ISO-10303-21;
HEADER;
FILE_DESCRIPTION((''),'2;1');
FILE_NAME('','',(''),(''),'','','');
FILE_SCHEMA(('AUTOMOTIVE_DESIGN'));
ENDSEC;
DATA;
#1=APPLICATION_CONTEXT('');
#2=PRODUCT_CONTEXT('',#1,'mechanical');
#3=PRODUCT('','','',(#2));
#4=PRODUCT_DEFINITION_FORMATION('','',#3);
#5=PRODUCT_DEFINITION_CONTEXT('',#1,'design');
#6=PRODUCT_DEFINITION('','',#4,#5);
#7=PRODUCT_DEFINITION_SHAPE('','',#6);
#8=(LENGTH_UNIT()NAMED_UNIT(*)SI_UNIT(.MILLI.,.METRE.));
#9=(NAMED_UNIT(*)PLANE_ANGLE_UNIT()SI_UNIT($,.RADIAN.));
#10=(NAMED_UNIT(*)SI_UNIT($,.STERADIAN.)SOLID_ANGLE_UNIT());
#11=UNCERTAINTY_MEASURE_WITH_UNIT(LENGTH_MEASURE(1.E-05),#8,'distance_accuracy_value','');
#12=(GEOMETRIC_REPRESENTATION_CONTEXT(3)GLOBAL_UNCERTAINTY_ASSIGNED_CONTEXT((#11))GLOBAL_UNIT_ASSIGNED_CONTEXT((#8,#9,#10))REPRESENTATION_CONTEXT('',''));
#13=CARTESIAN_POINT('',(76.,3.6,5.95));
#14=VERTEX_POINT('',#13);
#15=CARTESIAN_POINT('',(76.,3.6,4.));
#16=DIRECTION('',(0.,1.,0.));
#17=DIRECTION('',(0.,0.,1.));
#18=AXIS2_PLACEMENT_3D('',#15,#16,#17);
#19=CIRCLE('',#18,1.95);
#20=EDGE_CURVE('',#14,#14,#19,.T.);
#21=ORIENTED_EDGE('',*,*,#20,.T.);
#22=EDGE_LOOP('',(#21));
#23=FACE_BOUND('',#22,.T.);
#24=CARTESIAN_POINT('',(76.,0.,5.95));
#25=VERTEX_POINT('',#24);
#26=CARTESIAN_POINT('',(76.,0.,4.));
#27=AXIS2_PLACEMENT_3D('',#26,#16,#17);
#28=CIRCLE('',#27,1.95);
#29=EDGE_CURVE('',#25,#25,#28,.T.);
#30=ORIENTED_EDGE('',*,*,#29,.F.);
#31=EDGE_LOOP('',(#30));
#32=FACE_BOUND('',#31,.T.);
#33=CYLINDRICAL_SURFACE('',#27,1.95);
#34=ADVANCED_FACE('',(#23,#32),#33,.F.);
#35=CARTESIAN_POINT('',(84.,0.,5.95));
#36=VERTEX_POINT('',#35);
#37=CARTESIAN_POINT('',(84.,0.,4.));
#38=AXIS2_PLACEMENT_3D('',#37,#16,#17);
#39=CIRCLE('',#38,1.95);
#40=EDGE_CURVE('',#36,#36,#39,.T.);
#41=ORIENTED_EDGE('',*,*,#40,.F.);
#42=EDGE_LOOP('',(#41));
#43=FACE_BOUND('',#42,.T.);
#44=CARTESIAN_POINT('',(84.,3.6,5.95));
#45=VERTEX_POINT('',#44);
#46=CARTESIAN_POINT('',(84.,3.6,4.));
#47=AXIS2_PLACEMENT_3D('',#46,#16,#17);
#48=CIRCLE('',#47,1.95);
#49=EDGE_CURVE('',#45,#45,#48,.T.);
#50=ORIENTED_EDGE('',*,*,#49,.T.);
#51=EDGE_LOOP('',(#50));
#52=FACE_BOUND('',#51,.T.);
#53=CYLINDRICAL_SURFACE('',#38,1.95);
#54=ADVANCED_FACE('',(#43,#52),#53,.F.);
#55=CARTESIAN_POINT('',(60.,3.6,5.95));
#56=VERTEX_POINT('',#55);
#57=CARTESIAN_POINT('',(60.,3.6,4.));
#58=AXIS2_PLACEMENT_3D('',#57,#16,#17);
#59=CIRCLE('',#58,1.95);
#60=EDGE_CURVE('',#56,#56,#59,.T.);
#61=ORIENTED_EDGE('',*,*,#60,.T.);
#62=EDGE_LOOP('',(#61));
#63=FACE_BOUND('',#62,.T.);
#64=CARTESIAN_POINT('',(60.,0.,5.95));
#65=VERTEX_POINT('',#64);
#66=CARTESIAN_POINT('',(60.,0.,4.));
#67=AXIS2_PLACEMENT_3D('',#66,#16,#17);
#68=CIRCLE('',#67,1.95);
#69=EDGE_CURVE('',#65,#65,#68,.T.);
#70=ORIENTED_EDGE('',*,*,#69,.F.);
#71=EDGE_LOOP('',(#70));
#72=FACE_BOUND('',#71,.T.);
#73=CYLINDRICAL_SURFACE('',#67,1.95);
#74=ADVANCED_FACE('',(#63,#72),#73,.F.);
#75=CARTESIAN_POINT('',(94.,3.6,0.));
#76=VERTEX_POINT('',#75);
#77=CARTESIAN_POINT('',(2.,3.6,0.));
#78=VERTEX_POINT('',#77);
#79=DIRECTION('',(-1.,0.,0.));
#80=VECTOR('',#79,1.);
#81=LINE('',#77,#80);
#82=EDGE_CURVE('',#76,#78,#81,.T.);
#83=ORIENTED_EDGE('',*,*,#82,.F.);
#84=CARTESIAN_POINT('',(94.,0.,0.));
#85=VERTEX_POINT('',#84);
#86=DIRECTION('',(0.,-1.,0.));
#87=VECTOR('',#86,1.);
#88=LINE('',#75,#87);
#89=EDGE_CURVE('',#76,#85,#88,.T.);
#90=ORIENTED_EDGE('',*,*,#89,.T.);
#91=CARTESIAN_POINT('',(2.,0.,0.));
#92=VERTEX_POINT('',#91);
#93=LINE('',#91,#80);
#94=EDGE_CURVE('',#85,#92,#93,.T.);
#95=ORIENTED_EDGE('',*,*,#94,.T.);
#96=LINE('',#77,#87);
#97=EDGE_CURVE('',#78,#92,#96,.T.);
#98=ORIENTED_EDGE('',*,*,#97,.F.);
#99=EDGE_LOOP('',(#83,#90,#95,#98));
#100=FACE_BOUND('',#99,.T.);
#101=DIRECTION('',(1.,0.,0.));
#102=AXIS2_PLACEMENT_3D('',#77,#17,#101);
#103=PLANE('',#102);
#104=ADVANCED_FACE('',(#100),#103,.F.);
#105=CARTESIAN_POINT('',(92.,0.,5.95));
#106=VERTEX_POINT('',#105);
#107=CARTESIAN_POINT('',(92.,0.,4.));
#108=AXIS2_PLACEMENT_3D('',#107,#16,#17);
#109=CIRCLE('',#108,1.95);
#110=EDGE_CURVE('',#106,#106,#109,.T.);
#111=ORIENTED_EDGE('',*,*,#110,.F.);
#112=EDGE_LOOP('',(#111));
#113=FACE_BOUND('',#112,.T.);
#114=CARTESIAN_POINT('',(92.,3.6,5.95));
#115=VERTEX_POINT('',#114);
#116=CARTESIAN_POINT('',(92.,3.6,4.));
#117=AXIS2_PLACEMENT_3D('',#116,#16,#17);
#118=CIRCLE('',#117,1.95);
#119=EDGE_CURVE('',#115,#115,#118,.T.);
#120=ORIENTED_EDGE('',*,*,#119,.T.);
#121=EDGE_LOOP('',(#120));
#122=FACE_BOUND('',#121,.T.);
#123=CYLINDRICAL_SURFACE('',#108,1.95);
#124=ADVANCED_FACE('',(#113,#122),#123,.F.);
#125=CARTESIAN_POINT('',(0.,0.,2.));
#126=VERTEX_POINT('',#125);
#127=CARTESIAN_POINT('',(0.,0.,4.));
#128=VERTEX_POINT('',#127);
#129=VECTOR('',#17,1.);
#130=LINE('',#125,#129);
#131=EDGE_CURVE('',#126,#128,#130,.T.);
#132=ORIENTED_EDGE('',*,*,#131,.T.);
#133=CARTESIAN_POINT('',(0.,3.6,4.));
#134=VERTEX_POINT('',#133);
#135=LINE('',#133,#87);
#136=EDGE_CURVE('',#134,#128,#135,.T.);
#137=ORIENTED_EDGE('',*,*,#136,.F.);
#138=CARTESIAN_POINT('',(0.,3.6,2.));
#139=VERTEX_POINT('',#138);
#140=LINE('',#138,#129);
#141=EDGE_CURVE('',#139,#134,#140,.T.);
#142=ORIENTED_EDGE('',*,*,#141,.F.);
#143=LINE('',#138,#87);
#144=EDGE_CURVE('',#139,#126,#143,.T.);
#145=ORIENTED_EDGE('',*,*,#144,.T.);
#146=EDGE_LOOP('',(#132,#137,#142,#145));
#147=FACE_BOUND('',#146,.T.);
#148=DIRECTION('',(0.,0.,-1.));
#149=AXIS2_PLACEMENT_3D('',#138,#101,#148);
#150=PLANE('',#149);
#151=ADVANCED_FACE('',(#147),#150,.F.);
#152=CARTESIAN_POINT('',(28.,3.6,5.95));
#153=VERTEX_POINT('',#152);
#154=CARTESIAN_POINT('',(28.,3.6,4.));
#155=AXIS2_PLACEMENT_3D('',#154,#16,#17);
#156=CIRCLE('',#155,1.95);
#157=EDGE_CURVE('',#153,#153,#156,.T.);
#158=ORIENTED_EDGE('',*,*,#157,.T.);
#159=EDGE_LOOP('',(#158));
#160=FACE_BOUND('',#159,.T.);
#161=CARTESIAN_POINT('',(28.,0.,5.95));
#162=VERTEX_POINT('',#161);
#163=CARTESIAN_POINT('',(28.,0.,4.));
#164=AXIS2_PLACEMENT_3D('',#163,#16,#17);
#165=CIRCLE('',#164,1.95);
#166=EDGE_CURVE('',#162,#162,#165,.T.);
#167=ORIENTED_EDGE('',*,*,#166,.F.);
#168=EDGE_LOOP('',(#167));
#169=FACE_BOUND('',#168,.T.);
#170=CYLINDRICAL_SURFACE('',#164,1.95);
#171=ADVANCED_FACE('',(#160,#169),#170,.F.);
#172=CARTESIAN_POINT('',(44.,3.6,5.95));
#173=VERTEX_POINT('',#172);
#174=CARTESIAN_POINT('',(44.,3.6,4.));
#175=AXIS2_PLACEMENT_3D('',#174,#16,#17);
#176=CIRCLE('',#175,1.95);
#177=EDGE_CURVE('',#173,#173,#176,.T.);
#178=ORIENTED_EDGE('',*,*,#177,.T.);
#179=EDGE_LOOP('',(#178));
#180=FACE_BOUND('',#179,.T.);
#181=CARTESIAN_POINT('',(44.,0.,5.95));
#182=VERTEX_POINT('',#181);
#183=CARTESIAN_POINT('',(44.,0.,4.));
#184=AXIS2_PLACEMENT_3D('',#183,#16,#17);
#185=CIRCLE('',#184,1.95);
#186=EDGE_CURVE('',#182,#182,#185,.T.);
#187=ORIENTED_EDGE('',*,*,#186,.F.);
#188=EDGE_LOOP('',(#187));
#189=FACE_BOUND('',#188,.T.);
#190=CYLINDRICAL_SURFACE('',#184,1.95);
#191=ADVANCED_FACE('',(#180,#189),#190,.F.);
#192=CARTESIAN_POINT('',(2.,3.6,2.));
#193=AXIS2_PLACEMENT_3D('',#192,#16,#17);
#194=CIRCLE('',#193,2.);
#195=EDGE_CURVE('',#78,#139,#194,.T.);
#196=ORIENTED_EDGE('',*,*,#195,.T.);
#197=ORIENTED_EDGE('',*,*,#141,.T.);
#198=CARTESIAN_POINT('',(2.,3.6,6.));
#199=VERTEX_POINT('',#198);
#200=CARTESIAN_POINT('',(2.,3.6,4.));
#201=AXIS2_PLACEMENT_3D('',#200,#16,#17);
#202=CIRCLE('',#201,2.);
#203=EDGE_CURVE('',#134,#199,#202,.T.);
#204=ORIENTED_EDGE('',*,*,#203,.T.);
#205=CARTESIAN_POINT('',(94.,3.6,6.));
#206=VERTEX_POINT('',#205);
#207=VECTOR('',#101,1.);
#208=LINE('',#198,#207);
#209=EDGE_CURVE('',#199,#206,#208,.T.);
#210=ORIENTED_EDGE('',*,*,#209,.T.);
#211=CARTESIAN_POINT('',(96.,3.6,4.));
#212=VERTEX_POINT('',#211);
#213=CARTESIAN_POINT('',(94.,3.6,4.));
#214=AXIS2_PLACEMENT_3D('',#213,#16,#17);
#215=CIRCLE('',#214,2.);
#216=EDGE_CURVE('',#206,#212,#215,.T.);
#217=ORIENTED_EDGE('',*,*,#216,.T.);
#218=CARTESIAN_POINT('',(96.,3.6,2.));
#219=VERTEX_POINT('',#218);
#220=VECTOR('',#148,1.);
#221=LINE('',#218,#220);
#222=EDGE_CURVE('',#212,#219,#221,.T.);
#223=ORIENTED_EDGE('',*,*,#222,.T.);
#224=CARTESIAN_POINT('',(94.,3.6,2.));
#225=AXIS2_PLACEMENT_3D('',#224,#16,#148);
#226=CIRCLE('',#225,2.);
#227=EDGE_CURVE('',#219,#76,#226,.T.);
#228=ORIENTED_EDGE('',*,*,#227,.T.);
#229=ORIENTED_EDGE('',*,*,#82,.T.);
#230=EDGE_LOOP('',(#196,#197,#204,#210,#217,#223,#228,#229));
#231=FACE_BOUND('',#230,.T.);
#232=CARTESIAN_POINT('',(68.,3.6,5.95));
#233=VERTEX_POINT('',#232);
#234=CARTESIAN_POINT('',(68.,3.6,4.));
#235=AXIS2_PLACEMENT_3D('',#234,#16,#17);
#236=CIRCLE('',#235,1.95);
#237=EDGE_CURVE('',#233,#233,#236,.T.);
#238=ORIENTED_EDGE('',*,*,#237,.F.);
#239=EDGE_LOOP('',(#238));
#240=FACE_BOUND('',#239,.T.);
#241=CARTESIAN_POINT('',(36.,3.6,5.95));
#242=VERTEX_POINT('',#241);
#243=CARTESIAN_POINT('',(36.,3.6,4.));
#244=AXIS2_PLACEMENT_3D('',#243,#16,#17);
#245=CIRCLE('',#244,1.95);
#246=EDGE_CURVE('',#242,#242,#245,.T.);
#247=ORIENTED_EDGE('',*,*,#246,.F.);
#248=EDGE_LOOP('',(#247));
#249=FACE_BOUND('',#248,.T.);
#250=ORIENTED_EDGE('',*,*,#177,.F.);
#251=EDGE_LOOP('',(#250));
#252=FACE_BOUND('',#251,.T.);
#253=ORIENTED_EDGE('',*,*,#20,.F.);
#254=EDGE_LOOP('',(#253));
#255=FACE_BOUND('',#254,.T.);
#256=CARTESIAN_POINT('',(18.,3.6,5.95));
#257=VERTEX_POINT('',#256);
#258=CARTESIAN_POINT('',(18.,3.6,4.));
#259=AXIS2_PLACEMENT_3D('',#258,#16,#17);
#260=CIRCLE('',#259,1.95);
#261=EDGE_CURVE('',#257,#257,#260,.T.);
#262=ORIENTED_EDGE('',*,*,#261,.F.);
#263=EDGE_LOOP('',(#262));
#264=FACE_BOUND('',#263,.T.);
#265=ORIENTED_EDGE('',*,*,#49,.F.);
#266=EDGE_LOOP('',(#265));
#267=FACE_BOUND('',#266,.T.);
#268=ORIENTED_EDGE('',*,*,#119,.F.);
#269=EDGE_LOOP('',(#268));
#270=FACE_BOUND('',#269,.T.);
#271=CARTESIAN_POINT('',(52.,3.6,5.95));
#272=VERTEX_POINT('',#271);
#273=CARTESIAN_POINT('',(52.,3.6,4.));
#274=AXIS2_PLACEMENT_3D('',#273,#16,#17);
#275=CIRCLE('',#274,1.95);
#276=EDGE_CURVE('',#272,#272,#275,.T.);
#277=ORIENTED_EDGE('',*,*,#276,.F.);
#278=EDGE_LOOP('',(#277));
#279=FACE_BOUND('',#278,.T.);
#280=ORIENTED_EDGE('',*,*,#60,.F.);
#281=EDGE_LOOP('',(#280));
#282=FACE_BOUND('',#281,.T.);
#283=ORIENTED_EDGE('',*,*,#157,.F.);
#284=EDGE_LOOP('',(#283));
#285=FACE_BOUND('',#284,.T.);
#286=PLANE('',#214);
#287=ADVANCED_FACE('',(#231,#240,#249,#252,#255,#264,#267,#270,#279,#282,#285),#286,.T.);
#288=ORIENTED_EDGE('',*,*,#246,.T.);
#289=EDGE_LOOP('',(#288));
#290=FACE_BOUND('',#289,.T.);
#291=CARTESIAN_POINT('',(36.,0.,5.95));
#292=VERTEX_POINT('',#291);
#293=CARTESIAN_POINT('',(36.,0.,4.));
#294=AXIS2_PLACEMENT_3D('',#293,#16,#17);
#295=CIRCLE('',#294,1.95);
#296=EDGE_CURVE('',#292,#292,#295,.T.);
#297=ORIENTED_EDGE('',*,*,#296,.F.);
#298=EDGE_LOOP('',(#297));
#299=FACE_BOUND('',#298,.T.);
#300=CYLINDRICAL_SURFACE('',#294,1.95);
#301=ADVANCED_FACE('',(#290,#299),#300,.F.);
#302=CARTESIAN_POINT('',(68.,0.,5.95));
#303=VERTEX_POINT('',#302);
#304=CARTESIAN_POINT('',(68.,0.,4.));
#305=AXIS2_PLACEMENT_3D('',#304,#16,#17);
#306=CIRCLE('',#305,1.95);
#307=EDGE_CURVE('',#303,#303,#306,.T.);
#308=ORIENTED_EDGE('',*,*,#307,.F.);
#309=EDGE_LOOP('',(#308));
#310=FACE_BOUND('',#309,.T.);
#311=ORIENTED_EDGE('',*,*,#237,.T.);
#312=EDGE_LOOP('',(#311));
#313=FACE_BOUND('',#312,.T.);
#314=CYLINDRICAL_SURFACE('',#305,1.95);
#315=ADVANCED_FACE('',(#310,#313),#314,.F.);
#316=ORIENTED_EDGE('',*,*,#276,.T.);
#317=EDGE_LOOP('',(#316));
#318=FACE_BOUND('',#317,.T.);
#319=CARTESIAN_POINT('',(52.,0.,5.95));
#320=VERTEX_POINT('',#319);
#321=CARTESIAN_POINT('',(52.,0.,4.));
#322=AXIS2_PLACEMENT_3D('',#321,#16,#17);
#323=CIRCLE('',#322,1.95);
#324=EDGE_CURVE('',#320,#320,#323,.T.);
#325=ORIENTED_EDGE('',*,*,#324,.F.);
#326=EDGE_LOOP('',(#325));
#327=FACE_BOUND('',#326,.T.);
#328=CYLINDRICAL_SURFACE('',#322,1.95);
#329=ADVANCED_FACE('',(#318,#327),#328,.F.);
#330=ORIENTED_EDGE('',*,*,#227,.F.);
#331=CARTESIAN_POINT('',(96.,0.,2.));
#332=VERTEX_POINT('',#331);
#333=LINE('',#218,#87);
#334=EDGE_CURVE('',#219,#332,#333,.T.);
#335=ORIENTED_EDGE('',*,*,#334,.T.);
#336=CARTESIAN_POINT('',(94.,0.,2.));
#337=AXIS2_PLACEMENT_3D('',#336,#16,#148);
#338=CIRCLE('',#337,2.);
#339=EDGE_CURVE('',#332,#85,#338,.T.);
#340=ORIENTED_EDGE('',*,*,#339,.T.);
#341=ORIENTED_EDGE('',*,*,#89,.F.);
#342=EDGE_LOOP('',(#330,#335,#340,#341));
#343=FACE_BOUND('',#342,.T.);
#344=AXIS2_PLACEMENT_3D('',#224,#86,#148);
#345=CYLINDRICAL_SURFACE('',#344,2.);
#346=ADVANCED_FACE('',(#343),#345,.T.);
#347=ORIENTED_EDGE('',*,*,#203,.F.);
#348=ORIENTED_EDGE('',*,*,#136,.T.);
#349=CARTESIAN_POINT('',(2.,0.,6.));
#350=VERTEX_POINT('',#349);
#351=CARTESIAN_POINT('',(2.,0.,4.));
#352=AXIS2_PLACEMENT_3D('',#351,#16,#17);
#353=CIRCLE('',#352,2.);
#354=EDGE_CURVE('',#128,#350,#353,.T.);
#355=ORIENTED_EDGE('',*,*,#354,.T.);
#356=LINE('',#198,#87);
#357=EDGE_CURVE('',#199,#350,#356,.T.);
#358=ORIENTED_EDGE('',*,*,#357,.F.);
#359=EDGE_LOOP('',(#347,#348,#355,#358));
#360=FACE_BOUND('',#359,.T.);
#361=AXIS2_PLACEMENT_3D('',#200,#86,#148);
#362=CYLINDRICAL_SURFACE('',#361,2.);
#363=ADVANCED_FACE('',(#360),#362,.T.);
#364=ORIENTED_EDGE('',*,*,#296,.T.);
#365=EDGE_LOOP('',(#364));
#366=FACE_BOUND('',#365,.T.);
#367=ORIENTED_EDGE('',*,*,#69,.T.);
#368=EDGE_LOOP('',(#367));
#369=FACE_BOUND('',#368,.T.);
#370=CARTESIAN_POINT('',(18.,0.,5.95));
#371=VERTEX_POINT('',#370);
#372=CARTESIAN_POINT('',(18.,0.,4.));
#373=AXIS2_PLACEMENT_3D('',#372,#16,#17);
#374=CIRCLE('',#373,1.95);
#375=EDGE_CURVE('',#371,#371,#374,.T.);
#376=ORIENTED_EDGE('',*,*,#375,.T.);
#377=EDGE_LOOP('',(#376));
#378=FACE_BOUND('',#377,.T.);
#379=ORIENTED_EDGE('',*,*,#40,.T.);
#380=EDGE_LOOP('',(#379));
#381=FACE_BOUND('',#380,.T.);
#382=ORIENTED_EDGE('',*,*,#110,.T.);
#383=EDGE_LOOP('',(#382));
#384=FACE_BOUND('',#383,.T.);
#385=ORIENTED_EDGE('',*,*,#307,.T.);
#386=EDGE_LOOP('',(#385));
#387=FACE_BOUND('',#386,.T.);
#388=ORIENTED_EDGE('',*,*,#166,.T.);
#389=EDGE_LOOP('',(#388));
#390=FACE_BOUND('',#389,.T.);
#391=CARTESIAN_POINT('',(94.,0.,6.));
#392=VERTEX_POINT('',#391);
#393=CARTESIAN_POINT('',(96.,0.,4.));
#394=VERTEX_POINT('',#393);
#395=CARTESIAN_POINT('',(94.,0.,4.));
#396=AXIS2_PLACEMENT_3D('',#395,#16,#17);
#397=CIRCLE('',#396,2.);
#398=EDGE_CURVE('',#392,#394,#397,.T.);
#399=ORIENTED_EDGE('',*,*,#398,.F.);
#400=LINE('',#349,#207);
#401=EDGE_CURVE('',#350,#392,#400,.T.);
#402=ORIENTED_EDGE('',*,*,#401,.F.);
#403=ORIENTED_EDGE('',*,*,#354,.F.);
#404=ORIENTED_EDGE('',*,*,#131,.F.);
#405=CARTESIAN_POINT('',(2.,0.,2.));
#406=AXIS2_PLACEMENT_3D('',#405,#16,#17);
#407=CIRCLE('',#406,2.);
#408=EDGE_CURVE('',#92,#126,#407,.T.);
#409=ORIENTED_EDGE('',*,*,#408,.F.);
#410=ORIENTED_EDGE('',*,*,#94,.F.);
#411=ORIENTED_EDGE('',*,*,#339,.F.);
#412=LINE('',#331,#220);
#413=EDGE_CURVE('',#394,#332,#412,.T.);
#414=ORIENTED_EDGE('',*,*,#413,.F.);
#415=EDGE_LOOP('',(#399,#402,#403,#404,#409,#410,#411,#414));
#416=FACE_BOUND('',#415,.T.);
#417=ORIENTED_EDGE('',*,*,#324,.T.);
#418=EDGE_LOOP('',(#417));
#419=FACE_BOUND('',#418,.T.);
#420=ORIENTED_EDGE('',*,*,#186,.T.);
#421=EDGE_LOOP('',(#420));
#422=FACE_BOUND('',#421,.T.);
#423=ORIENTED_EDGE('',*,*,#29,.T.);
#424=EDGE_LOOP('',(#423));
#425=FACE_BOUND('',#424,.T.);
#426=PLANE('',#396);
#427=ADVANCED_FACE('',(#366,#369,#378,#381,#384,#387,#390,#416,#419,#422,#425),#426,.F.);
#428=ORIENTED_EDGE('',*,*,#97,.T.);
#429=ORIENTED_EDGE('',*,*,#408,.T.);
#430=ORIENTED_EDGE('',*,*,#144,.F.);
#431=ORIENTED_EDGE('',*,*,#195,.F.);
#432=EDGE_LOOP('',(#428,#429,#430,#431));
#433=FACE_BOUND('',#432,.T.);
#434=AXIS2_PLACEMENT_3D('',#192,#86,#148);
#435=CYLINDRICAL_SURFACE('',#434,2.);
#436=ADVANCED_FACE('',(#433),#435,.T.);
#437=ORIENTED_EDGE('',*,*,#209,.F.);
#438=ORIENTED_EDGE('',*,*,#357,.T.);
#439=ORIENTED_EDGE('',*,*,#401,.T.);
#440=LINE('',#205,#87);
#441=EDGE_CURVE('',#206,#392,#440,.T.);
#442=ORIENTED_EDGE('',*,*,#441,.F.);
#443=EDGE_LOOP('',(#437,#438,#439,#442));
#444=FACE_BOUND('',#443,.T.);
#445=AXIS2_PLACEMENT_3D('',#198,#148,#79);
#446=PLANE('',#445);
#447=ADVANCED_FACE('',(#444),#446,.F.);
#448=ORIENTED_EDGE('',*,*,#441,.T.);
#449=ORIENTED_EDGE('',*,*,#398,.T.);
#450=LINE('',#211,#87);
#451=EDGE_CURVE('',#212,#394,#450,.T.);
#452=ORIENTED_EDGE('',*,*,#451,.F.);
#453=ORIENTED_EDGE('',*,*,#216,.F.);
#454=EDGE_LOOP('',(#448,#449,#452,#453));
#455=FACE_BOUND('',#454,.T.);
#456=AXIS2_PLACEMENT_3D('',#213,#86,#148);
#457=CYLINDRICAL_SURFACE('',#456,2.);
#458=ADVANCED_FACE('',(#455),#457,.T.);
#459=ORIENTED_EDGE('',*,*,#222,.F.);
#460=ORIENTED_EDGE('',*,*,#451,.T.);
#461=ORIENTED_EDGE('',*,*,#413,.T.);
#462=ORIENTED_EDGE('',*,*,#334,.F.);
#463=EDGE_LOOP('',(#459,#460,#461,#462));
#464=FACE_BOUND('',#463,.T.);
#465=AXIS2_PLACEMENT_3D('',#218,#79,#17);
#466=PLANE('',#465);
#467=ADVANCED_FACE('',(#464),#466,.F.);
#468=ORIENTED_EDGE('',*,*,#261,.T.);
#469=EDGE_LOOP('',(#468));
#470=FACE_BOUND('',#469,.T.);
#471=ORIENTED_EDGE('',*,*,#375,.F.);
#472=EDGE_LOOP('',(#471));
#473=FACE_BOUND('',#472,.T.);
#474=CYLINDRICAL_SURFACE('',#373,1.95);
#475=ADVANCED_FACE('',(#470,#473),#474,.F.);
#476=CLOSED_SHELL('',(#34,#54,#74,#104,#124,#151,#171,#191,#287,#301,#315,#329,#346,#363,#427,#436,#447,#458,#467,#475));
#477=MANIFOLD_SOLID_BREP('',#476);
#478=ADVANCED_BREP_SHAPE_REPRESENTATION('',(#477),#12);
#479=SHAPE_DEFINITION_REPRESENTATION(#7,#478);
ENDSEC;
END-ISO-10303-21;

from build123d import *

# Parameters (mm, degrees)
BOSS_EXTRUDE1_DEPTH = 3.6
SKETCH2_R           = 1.95
CUT_EXTRUDE1_DEPTH  = 3.6


with BuildPart() as part:
    # Sketch1 → Boss-Extrude1 (new body)
    with BuildSketch(Plane(origin=(0, 0, 0), x_dir=(1, 0, 0), z_dir=(0, 1, 0))):
        with BuildLine():
            Line((2, 0), (94, 0))
            ThreePointArc((94, 0), (95.414213562, -0.585786438), (96, -2))
            Line((96, -2), (96, -4))
            ThreePointArc((96, -4), (95.414213562, -5.414213562), (94, -6))
            Line((94, -6), (2, -6))
            ThreePointArc((2, -6), (0.585786438, -5.414213562), (0, -4))
            Line((0, -4), (0, -2))
            ThreePointArc((0, -2), (0.585786438, -0.585786438), (2, 0))
        make_face()
    extrude(amount=BOSS_EXTRUDE1_DEPTH)

    # Sketch2 → Cut-Extrude1 (cut)
    with BuildSketch(Plane(origin=(0, 3.6, 0), x_dir=(1, 0, 0), z_dir=(0, 1, 0))):
        with Locations((92, -4)):
            Circle(SKETCH2_R)
        with Locations((84, -4)):
            Circle(SKETCH2_R)
        with Locations((18, -4)):
            Circle(SKETCH2_R)
        with Locations((28, -4)):
            Circle(SKETCH2_R)
        with Locations((36, -4)):
            Circle(SKETCH2_R)
        with Locations((44, -4)):
            Circle(SKETCH2_R)
        with Locations((52, -4)):
            Circle(SKETCH2_R)
        with Locations((60, -4)):
            Circle(SKETCH2_R)
        with Locations((68, -4)):
            Circle(SKETCH2_R)
        with Locations((76, -4)):
            Circle(SKETCH2_R)
    extrude(amount=-CUT_EXTRUDE1_DEPTH, mode=Mode.SUBTRACT)


solid = part.part
